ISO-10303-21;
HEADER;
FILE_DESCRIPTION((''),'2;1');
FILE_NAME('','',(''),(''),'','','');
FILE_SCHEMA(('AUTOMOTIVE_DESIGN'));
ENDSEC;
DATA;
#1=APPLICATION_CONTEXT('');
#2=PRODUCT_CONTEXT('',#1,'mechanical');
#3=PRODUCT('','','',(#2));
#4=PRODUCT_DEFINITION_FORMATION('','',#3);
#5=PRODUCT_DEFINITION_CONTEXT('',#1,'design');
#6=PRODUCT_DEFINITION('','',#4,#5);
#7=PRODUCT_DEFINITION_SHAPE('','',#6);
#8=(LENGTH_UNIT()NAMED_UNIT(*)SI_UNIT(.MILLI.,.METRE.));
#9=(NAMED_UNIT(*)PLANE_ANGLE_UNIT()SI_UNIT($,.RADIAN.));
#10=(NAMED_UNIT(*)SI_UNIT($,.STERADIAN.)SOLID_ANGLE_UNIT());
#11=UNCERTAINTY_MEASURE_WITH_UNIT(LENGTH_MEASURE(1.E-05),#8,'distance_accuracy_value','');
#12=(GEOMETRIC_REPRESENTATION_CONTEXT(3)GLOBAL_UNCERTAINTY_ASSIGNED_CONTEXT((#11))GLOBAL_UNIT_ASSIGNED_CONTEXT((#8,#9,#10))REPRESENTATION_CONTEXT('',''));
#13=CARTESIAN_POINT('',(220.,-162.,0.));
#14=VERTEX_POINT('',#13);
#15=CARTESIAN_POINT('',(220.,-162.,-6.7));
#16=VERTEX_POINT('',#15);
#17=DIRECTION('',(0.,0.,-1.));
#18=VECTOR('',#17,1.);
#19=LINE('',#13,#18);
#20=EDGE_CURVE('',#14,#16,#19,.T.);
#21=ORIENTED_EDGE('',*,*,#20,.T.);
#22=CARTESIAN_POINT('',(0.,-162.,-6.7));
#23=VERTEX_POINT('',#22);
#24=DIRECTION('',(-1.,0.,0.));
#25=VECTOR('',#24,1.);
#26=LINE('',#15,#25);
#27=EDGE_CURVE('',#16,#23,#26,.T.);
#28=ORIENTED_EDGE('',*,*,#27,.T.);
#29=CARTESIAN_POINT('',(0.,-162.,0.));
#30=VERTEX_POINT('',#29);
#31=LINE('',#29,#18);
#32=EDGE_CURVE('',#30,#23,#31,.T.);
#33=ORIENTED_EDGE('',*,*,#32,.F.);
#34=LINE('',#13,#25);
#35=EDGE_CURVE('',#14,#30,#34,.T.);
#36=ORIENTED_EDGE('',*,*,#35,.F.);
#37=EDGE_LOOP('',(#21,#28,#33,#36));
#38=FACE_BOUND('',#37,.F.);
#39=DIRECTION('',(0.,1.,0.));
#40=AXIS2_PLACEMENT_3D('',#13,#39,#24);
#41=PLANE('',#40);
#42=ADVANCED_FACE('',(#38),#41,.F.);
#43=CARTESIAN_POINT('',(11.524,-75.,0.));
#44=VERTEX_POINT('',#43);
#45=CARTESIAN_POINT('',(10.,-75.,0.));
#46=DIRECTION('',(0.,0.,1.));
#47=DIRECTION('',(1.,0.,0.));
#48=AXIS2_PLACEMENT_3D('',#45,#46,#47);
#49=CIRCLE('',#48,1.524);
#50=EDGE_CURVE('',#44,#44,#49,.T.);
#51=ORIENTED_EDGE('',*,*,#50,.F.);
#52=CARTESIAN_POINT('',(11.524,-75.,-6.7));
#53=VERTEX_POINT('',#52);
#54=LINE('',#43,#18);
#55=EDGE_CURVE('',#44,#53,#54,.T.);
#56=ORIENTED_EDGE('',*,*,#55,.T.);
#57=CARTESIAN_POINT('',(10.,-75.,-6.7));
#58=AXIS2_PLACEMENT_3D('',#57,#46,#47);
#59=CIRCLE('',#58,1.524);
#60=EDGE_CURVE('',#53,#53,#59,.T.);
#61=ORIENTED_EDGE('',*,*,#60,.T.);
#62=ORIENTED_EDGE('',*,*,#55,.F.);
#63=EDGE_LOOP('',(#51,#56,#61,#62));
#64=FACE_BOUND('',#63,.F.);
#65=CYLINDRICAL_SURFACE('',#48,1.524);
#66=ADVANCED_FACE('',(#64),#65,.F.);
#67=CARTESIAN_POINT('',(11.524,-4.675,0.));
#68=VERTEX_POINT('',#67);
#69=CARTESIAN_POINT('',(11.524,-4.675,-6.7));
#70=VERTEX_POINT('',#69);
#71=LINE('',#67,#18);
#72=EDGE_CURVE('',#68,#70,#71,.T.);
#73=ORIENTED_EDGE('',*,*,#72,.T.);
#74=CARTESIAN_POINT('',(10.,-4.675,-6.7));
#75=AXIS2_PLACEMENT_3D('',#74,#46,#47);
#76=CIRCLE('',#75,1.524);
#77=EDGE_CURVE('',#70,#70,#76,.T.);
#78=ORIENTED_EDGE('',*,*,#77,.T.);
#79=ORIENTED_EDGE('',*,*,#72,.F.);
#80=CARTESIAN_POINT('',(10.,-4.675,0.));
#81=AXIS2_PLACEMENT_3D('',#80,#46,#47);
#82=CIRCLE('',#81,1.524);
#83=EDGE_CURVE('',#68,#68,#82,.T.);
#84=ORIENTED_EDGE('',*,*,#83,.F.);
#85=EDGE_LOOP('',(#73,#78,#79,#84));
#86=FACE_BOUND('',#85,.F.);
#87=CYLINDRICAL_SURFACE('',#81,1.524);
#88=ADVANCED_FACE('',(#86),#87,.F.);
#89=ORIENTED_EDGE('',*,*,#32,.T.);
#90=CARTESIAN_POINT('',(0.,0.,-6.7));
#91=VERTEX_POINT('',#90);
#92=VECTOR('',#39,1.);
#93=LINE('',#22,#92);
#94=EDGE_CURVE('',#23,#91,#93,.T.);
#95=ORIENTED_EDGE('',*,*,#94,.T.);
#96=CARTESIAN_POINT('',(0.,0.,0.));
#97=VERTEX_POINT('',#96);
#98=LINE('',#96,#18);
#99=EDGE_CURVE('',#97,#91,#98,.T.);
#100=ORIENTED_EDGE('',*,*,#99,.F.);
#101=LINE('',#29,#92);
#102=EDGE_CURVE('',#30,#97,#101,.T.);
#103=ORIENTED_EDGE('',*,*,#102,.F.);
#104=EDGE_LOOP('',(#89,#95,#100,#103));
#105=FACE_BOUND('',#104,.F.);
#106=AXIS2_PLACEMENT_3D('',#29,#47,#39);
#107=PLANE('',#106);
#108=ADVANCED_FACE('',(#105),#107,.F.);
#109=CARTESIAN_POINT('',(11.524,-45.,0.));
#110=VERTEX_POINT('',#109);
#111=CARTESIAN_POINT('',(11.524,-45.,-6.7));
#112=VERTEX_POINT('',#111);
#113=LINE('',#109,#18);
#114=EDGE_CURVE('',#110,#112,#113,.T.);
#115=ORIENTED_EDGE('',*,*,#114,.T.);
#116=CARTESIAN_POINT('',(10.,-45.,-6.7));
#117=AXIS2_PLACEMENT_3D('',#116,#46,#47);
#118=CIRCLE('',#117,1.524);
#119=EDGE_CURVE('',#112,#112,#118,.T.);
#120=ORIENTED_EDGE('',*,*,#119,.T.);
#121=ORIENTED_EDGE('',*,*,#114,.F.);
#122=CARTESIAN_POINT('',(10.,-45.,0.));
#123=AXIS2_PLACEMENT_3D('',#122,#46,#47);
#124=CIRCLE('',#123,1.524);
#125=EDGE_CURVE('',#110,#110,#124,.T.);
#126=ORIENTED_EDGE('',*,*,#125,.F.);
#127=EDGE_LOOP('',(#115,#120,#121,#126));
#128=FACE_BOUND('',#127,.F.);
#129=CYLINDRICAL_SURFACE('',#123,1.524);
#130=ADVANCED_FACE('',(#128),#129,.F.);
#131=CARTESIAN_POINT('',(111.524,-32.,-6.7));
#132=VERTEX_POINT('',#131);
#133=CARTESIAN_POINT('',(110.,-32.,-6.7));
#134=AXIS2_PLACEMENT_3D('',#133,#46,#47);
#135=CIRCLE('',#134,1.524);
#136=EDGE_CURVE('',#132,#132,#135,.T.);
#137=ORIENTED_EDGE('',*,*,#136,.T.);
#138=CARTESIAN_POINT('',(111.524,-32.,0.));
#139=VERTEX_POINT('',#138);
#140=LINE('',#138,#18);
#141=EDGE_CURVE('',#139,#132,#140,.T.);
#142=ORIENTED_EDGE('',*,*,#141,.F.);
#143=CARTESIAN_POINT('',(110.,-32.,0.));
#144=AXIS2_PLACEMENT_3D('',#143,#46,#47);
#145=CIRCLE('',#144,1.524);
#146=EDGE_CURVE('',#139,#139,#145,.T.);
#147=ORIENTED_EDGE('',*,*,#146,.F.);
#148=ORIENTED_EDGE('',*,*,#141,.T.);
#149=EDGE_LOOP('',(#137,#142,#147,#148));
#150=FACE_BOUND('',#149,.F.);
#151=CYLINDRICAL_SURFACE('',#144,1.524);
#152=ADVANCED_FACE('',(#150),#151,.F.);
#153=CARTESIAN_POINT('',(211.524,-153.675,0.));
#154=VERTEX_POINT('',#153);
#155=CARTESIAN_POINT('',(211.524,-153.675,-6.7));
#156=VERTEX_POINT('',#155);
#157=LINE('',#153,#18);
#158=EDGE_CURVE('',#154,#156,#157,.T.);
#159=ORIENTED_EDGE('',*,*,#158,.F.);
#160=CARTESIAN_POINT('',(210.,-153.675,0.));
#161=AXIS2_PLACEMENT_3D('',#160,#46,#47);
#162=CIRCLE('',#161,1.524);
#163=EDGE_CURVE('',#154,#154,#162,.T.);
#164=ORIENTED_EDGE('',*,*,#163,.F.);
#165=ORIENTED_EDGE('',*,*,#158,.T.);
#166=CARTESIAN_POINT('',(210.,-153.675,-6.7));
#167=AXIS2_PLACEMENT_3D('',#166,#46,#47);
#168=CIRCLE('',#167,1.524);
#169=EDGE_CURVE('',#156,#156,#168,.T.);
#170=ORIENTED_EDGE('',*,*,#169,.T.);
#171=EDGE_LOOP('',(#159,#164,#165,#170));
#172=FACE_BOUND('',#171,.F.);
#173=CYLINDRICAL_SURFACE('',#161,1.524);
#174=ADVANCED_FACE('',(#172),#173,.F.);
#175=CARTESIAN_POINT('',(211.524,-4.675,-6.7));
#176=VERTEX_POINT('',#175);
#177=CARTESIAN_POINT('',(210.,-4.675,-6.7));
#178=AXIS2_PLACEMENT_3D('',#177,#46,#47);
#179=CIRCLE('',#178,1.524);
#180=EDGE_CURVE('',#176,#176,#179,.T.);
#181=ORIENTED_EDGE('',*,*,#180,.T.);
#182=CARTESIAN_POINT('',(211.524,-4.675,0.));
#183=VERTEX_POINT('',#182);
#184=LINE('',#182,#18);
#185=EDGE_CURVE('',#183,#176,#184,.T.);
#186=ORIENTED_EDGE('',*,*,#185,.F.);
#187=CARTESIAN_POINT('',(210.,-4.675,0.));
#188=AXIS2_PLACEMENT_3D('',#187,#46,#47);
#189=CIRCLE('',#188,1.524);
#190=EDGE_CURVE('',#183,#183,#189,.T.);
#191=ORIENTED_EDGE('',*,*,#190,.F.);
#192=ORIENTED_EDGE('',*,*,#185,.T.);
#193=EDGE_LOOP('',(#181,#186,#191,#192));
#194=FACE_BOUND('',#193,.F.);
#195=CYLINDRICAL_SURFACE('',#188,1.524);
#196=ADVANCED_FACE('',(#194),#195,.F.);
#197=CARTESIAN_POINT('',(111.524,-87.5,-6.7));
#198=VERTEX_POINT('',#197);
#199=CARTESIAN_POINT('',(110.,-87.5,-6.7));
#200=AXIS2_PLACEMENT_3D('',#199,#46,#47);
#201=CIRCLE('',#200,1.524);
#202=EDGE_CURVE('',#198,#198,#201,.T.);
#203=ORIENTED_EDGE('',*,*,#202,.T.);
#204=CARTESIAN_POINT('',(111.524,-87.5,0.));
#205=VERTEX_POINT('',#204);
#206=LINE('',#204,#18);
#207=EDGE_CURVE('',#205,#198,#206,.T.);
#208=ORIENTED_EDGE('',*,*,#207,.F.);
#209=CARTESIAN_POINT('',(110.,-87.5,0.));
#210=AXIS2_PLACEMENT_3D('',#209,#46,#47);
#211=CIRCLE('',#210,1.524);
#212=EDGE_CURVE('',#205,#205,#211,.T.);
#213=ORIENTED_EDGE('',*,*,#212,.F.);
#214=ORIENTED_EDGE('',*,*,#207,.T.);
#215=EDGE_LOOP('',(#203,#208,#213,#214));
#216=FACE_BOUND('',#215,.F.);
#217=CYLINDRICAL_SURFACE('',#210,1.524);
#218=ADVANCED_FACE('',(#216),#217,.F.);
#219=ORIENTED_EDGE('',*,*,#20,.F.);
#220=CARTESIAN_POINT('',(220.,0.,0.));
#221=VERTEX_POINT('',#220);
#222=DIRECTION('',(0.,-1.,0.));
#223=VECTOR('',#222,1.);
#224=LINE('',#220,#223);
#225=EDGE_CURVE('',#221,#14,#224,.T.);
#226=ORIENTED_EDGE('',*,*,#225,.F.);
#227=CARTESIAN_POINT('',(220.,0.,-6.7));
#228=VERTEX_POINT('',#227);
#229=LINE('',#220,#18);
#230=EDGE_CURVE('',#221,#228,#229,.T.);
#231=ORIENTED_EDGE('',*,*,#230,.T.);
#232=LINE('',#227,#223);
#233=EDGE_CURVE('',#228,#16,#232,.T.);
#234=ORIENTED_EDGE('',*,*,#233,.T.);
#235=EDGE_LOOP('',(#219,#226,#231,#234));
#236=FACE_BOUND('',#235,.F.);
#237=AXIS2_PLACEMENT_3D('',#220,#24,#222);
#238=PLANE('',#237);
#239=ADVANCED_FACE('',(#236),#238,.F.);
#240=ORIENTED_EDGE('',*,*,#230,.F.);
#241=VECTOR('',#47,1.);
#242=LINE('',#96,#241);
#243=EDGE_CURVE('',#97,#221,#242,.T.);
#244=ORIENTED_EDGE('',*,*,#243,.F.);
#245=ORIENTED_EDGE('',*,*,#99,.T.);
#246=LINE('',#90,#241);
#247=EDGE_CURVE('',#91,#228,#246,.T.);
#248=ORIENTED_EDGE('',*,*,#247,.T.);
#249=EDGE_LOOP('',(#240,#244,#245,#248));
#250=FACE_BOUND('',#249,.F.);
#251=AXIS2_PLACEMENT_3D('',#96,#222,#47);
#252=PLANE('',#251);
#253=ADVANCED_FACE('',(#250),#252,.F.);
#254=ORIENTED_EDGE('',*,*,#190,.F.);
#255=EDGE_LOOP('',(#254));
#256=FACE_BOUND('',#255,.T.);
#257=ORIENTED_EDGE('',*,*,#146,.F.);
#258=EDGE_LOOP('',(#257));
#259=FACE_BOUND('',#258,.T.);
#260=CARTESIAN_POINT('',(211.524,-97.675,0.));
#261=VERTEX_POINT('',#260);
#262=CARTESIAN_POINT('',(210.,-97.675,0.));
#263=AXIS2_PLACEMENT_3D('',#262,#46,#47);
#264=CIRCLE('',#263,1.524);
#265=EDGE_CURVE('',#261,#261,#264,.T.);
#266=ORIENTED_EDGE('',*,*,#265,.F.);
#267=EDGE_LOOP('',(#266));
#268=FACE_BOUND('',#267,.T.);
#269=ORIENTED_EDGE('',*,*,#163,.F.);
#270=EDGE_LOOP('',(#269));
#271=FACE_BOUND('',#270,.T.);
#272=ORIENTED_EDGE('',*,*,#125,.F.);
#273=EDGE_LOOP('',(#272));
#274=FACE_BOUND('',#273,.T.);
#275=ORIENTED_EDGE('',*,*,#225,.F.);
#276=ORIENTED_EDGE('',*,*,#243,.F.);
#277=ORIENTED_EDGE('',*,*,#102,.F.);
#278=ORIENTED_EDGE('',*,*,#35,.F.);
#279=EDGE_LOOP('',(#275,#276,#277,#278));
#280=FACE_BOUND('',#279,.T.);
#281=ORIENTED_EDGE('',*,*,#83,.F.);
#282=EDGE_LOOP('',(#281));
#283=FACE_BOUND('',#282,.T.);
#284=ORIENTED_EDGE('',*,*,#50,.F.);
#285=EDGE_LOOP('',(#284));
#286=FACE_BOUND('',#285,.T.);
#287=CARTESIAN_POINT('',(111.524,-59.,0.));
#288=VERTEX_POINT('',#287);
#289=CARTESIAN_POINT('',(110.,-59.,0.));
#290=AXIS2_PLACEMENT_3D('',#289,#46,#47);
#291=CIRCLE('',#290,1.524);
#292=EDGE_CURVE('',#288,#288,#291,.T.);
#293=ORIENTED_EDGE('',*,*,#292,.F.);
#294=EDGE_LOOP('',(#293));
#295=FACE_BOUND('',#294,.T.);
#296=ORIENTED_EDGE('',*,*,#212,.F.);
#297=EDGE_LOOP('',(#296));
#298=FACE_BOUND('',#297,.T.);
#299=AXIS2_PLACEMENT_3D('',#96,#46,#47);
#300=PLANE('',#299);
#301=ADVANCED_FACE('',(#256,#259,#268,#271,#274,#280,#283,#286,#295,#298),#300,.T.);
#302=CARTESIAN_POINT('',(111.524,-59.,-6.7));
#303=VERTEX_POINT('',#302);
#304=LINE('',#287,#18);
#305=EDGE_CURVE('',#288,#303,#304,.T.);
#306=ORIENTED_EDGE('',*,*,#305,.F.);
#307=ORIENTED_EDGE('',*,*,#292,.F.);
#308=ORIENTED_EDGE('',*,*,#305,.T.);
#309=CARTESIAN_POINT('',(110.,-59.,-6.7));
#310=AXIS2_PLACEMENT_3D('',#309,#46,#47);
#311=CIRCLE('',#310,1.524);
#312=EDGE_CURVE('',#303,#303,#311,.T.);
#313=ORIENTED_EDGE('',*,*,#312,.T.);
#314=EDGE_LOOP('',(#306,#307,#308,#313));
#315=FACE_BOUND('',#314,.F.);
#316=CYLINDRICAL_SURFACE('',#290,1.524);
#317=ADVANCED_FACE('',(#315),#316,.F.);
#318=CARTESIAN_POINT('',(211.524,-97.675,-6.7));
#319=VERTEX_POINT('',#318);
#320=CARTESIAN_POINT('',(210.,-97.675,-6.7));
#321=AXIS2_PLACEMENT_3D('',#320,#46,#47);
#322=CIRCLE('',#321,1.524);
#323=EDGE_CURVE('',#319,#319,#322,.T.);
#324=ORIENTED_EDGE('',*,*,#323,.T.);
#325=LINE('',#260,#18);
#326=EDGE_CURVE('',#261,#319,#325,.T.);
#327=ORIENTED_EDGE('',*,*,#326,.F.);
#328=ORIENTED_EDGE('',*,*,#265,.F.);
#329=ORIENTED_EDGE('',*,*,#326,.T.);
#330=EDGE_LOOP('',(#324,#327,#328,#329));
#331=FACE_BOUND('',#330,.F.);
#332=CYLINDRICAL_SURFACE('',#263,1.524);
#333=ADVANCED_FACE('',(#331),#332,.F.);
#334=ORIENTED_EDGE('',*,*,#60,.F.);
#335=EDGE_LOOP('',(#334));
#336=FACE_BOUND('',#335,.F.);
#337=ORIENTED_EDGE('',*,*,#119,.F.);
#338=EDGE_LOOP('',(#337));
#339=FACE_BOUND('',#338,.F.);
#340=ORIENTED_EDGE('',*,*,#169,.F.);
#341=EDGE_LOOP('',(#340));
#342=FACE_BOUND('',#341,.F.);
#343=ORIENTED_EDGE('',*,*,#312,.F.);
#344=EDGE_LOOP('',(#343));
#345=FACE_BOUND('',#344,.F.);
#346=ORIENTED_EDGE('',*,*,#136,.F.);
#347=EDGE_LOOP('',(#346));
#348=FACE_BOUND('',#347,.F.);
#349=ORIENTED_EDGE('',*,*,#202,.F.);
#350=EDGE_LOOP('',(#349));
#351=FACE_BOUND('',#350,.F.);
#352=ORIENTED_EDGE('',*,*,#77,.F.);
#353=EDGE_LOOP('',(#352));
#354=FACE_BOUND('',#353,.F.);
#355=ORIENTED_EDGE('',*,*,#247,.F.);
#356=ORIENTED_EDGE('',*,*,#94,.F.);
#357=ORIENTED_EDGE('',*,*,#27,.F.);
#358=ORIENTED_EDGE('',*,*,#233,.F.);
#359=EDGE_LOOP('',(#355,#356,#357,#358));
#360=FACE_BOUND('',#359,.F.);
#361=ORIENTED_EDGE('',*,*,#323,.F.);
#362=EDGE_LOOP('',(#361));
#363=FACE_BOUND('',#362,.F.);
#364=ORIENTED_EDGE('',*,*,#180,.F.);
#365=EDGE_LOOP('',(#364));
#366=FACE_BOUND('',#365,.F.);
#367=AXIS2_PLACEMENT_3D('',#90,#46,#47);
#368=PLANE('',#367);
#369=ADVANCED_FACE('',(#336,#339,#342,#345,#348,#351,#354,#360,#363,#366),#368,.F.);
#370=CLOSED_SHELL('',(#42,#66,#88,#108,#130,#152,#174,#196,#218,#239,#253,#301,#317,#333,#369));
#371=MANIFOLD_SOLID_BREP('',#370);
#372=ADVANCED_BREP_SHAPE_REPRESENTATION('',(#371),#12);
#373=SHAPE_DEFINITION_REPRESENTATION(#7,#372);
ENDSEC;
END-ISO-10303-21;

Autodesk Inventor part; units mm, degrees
ref_plane "YZ Plane" through (0, 0, 0) normal (1, 0, 0) x (0, 1, 0)
ref_plane "XZ Plane" through (0, 0, 0) normal (0, 1, 0) x (-1, 0, 0)
ref_plane "XY Plane" through (0, 0, 0) normal (0, 0, 1) x (1, 0, 0)
sketch "Esquisse1" plane through (0, 0, 0) normal (0, 0, 1) x (1, 0, 0)
  line L0 (0, 0) -> (220, 0)
  line L1 (220, 0) -> (220, -162)
  line L2 (220, -162) -> (0, -162)
  line L3 (0, -162) -> (0, 0)
  dimension "d0" = 220
  dimension "d1" = 162
extrude "Extrusion1" add sketch "Esquisse1" against normal blind 6.7
sketch "Esquisse2" plane through (0, 0, 0) normal (0, 0, 1) x (1, 0, 0)
  circle A0 centre (10, -4.675) radius 1.524
  circle A1 centre (110, -32) radius 1.524
  circle A2 centre (210, -4.675) radius 1.524
  circle A3 centre (210, -97.675) radius 1.524
  circle A4 centre (110, -87.5) radius 1.524
  circle A5 centre (10, -45) radius 1.524
  circle A6 centre (110, -59) radius 1.524
  circle A7 centre (210, -153.675) radius 1.524
  line L0 (220, 0) -> (0, 0) projected
  line L1 (0, 0) -> (0, -162) projected
  line L2 (220, -162) -> (220, 0) projected
  circle A8 centre (10, -75) radius 1.524
  dimension "d4" = 3.048
  dimension "d5" = 4.675
  dimension "d6" = 10
  dimension "d7" = 10
  dimension "d9" = 10
  dimension "d10" = 10
  dimension "d11" = 10
  dimension "d15" = 32
  dimension "d16" = 27
  dimension "d17" = 28.5
  dimension "d18" = 4.675
  dimension "d19" = 93
  dimension "d20" = 56
  dimension "d21" = 40.325
  dimension "d22" = 10
  dimension "d26" = 110
  dimension "d27" = 110
  dimension "d28" = 110
  dimension "d29" = 30
extrude "Extrusion2" cut sketch "Esquisse2" against normal through all
properties part number "Validation_jig_top"
